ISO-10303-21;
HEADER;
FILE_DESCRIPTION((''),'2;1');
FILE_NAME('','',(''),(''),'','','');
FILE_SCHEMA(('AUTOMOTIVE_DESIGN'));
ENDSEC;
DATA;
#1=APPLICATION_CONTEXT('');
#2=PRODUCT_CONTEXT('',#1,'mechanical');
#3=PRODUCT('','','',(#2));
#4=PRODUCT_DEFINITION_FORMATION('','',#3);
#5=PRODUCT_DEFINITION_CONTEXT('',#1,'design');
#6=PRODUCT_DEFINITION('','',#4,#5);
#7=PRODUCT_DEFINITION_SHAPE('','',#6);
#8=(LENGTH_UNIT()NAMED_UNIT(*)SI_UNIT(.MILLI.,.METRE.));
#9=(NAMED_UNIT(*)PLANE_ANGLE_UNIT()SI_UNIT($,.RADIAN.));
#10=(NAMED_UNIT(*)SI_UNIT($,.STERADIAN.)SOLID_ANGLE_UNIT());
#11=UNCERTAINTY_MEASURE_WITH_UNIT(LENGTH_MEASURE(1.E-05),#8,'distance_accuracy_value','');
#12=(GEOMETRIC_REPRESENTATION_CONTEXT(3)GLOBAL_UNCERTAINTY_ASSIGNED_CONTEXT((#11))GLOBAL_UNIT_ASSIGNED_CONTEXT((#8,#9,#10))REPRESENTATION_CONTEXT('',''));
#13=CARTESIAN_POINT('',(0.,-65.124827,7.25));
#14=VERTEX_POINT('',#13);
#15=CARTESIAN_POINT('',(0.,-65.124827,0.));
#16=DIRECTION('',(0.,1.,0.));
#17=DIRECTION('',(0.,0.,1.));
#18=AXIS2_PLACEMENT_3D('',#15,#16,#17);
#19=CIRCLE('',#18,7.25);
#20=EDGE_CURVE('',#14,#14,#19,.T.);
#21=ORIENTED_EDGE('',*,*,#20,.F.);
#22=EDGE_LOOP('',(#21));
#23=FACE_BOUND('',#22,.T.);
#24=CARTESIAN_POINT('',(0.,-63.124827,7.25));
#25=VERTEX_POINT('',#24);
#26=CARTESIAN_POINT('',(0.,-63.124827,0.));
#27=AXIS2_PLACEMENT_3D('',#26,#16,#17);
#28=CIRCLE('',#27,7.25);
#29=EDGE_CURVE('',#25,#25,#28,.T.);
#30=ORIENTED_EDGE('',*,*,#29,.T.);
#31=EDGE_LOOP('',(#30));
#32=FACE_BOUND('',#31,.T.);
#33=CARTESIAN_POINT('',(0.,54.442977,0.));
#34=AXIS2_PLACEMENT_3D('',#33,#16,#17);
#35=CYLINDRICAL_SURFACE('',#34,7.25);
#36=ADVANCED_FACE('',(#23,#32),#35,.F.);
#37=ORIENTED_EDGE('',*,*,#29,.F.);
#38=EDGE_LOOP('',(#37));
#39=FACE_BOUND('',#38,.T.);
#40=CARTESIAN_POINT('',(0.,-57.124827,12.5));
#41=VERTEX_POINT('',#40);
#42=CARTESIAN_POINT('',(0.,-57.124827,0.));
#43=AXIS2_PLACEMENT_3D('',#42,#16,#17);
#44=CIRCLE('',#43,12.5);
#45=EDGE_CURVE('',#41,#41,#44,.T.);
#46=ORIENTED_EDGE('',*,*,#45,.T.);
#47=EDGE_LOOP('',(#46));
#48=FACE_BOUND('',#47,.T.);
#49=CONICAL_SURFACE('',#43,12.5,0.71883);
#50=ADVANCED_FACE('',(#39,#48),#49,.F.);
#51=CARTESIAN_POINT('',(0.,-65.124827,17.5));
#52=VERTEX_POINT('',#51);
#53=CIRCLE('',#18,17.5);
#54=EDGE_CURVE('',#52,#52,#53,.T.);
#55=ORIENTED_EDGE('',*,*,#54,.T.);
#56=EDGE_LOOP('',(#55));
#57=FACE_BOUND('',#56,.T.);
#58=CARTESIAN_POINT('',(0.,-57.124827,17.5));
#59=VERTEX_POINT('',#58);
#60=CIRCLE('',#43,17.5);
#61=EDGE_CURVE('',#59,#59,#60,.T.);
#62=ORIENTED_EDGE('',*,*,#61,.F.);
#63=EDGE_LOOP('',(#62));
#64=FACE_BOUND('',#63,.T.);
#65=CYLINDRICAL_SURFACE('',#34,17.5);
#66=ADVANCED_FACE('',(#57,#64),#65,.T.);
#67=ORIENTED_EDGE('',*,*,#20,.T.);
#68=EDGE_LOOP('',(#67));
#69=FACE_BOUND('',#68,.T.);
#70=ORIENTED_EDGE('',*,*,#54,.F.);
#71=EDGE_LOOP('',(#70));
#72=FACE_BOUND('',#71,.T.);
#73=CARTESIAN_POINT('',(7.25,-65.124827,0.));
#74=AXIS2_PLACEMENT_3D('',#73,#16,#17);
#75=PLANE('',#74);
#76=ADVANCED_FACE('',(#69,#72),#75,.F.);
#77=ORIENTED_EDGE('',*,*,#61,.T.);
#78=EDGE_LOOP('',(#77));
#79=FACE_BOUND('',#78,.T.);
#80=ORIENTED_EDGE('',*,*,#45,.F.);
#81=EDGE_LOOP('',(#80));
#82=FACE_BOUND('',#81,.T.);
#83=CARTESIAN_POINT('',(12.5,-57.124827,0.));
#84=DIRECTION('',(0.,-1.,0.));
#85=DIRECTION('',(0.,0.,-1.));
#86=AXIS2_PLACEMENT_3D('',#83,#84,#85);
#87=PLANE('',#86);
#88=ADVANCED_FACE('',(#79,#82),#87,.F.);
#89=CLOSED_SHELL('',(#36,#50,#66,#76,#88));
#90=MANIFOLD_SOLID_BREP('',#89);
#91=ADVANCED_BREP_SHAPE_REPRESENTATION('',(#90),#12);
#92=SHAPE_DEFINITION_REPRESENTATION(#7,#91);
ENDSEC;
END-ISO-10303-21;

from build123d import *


with BuildPart() as part:
    # Sketch1 → Revolve1 (revolve)
    with BuildSketch(Plane.XY):
        Polygon((7.25, -65.124826934), (17.5, -65.124826934), (17.5, -57.124826934), (12.5, -57.124826934), (7.25, -63.124826934), align=None)
    revolve(axis=Axis((0, 54.442977014, 0), (0, -1, 0)))


solid = part.part
